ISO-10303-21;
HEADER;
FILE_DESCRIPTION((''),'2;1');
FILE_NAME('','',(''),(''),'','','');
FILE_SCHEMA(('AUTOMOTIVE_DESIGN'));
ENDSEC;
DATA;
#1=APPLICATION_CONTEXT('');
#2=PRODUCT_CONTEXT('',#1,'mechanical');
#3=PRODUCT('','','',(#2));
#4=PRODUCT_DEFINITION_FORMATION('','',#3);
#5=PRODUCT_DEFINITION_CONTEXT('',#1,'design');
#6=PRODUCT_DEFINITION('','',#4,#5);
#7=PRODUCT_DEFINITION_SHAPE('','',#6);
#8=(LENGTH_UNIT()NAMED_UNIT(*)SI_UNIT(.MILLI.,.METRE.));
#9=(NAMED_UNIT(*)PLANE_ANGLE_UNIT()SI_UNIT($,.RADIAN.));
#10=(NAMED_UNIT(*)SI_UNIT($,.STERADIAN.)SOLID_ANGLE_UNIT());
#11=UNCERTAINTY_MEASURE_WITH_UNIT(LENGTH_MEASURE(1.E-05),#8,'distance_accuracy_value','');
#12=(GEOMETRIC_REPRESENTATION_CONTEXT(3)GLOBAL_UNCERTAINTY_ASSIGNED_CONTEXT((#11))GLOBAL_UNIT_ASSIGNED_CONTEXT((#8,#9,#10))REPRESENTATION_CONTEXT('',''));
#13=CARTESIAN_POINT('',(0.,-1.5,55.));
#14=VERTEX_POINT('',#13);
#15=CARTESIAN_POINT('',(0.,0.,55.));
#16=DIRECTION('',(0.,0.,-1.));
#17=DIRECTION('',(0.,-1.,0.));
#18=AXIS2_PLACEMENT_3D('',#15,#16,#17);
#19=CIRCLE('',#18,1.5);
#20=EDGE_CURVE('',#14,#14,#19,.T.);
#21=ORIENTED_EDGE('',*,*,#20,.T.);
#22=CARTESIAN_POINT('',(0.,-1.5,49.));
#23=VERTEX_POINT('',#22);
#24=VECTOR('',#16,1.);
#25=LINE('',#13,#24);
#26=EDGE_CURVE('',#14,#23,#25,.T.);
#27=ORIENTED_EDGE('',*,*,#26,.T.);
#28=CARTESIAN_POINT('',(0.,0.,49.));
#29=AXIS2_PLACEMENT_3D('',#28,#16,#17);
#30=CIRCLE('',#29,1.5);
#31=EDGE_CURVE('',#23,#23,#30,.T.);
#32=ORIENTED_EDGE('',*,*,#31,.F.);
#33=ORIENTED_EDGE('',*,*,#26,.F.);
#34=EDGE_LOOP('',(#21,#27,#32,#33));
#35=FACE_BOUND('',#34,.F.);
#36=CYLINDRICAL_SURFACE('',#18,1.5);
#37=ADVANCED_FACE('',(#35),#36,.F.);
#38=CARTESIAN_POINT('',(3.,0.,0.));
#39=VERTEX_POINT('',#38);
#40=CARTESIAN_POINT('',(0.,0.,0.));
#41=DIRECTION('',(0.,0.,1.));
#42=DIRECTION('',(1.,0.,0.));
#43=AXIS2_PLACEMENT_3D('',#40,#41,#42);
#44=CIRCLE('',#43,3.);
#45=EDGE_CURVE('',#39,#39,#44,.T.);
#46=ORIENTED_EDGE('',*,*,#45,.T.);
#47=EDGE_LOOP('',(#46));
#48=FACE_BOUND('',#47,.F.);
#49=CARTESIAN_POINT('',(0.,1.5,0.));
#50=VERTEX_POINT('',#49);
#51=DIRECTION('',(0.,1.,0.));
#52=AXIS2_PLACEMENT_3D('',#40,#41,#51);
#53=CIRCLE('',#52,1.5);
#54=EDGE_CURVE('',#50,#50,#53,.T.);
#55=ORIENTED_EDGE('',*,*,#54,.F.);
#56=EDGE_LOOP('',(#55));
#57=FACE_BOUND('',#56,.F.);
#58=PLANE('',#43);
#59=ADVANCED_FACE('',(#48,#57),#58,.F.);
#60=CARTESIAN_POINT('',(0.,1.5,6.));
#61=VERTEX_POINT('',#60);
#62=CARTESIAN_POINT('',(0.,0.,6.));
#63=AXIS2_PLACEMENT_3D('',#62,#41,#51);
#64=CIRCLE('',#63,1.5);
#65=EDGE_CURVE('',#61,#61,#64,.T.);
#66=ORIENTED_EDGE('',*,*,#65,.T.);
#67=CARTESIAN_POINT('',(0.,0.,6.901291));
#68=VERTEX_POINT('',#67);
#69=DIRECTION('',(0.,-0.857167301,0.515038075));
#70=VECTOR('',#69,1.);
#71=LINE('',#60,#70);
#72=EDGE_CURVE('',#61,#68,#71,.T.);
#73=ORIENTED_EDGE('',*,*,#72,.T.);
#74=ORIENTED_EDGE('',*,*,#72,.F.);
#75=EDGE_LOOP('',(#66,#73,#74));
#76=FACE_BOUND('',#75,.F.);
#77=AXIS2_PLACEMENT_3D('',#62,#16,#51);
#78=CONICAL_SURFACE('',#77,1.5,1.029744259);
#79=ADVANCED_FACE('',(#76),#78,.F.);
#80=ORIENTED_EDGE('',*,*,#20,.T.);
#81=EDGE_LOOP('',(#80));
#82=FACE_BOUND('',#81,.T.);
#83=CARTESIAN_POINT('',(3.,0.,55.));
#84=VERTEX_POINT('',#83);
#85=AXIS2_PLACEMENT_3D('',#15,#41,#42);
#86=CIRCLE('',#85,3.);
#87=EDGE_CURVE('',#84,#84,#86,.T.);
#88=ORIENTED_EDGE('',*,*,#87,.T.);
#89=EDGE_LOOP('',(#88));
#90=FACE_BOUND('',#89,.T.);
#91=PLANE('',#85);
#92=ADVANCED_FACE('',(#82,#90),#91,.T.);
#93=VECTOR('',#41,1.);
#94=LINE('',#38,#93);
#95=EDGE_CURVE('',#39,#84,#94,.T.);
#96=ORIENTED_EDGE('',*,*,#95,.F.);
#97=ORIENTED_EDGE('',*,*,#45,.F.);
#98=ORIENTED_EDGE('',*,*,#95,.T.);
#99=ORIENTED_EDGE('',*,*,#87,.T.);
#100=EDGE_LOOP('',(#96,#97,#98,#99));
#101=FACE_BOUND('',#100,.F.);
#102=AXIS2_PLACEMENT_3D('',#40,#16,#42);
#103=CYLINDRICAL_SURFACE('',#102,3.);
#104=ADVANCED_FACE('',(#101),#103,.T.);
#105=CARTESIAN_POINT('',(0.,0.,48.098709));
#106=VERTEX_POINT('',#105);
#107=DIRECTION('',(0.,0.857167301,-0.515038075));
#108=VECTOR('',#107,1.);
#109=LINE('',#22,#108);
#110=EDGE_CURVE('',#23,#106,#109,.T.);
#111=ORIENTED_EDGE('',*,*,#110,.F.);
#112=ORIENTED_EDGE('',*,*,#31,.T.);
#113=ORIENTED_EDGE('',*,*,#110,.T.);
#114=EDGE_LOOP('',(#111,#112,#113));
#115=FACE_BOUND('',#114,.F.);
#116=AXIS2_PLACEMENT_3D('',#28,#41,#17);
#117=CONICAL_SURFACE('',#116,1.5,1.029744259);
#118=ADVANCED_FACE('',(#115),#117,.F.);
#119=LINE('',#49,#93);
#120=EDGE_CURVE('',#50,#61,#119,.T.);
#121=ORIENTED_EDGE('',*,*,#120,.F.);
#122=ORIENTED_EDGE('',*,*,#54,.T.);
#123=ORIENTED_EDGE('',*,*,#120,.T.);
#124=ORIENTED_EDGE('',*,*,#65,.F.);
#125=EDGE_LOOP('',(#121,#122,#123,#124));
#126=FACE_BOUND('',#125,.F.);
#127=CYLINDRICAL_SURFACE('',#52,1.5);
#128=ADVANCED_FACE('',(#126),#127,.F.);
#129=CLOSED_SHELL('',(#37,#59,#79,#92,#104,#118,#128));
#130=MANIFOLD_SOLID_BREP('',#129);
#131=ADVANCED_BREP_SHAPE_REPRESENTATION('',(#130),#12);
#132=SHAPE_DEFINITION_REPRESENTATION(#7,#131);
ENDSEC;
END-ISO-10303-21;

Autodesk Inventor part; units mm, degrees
ref_plane "YZ Plane" through (0, 0, 0) normal (1, 0, 0) x (0, 1, 0)
ref_plane "XZ Plane" through (0, 0, 0) normal (0, 1, 0) x (-1, 0, 0)
ref_plane "XY Plane" through (0, 0, 0) normal (0, 0, 1) x (1, 0, 0)
sketch "スケッチ1" plane through (0, 0, 0) normal (0, 0, 1) x (1, 0, 0)
  circle A0 centre (0, 0) radius 3
  dimension "d0" = 6
extrude "押し出し1" add sketch "スケッチ1" along normal blind 55
hole "穴1" at (0, 0, 0) direction (0, 0, 1) diameter 3 depth 6 tip angle 118
sketch "スケッチ2" plane through (0, 0, 55) normal (0, 0, 1) x (1, 0, 0)
  circle A0 centre (0, 0) radius 3 projected
hole "穴2" at (0, 0, 55) direction (0, 0, -1) diameter 3 depth 6 tip angle 118
properties part number "スペーサ　m3-l55" material "アルミニウム 2014-T4"
